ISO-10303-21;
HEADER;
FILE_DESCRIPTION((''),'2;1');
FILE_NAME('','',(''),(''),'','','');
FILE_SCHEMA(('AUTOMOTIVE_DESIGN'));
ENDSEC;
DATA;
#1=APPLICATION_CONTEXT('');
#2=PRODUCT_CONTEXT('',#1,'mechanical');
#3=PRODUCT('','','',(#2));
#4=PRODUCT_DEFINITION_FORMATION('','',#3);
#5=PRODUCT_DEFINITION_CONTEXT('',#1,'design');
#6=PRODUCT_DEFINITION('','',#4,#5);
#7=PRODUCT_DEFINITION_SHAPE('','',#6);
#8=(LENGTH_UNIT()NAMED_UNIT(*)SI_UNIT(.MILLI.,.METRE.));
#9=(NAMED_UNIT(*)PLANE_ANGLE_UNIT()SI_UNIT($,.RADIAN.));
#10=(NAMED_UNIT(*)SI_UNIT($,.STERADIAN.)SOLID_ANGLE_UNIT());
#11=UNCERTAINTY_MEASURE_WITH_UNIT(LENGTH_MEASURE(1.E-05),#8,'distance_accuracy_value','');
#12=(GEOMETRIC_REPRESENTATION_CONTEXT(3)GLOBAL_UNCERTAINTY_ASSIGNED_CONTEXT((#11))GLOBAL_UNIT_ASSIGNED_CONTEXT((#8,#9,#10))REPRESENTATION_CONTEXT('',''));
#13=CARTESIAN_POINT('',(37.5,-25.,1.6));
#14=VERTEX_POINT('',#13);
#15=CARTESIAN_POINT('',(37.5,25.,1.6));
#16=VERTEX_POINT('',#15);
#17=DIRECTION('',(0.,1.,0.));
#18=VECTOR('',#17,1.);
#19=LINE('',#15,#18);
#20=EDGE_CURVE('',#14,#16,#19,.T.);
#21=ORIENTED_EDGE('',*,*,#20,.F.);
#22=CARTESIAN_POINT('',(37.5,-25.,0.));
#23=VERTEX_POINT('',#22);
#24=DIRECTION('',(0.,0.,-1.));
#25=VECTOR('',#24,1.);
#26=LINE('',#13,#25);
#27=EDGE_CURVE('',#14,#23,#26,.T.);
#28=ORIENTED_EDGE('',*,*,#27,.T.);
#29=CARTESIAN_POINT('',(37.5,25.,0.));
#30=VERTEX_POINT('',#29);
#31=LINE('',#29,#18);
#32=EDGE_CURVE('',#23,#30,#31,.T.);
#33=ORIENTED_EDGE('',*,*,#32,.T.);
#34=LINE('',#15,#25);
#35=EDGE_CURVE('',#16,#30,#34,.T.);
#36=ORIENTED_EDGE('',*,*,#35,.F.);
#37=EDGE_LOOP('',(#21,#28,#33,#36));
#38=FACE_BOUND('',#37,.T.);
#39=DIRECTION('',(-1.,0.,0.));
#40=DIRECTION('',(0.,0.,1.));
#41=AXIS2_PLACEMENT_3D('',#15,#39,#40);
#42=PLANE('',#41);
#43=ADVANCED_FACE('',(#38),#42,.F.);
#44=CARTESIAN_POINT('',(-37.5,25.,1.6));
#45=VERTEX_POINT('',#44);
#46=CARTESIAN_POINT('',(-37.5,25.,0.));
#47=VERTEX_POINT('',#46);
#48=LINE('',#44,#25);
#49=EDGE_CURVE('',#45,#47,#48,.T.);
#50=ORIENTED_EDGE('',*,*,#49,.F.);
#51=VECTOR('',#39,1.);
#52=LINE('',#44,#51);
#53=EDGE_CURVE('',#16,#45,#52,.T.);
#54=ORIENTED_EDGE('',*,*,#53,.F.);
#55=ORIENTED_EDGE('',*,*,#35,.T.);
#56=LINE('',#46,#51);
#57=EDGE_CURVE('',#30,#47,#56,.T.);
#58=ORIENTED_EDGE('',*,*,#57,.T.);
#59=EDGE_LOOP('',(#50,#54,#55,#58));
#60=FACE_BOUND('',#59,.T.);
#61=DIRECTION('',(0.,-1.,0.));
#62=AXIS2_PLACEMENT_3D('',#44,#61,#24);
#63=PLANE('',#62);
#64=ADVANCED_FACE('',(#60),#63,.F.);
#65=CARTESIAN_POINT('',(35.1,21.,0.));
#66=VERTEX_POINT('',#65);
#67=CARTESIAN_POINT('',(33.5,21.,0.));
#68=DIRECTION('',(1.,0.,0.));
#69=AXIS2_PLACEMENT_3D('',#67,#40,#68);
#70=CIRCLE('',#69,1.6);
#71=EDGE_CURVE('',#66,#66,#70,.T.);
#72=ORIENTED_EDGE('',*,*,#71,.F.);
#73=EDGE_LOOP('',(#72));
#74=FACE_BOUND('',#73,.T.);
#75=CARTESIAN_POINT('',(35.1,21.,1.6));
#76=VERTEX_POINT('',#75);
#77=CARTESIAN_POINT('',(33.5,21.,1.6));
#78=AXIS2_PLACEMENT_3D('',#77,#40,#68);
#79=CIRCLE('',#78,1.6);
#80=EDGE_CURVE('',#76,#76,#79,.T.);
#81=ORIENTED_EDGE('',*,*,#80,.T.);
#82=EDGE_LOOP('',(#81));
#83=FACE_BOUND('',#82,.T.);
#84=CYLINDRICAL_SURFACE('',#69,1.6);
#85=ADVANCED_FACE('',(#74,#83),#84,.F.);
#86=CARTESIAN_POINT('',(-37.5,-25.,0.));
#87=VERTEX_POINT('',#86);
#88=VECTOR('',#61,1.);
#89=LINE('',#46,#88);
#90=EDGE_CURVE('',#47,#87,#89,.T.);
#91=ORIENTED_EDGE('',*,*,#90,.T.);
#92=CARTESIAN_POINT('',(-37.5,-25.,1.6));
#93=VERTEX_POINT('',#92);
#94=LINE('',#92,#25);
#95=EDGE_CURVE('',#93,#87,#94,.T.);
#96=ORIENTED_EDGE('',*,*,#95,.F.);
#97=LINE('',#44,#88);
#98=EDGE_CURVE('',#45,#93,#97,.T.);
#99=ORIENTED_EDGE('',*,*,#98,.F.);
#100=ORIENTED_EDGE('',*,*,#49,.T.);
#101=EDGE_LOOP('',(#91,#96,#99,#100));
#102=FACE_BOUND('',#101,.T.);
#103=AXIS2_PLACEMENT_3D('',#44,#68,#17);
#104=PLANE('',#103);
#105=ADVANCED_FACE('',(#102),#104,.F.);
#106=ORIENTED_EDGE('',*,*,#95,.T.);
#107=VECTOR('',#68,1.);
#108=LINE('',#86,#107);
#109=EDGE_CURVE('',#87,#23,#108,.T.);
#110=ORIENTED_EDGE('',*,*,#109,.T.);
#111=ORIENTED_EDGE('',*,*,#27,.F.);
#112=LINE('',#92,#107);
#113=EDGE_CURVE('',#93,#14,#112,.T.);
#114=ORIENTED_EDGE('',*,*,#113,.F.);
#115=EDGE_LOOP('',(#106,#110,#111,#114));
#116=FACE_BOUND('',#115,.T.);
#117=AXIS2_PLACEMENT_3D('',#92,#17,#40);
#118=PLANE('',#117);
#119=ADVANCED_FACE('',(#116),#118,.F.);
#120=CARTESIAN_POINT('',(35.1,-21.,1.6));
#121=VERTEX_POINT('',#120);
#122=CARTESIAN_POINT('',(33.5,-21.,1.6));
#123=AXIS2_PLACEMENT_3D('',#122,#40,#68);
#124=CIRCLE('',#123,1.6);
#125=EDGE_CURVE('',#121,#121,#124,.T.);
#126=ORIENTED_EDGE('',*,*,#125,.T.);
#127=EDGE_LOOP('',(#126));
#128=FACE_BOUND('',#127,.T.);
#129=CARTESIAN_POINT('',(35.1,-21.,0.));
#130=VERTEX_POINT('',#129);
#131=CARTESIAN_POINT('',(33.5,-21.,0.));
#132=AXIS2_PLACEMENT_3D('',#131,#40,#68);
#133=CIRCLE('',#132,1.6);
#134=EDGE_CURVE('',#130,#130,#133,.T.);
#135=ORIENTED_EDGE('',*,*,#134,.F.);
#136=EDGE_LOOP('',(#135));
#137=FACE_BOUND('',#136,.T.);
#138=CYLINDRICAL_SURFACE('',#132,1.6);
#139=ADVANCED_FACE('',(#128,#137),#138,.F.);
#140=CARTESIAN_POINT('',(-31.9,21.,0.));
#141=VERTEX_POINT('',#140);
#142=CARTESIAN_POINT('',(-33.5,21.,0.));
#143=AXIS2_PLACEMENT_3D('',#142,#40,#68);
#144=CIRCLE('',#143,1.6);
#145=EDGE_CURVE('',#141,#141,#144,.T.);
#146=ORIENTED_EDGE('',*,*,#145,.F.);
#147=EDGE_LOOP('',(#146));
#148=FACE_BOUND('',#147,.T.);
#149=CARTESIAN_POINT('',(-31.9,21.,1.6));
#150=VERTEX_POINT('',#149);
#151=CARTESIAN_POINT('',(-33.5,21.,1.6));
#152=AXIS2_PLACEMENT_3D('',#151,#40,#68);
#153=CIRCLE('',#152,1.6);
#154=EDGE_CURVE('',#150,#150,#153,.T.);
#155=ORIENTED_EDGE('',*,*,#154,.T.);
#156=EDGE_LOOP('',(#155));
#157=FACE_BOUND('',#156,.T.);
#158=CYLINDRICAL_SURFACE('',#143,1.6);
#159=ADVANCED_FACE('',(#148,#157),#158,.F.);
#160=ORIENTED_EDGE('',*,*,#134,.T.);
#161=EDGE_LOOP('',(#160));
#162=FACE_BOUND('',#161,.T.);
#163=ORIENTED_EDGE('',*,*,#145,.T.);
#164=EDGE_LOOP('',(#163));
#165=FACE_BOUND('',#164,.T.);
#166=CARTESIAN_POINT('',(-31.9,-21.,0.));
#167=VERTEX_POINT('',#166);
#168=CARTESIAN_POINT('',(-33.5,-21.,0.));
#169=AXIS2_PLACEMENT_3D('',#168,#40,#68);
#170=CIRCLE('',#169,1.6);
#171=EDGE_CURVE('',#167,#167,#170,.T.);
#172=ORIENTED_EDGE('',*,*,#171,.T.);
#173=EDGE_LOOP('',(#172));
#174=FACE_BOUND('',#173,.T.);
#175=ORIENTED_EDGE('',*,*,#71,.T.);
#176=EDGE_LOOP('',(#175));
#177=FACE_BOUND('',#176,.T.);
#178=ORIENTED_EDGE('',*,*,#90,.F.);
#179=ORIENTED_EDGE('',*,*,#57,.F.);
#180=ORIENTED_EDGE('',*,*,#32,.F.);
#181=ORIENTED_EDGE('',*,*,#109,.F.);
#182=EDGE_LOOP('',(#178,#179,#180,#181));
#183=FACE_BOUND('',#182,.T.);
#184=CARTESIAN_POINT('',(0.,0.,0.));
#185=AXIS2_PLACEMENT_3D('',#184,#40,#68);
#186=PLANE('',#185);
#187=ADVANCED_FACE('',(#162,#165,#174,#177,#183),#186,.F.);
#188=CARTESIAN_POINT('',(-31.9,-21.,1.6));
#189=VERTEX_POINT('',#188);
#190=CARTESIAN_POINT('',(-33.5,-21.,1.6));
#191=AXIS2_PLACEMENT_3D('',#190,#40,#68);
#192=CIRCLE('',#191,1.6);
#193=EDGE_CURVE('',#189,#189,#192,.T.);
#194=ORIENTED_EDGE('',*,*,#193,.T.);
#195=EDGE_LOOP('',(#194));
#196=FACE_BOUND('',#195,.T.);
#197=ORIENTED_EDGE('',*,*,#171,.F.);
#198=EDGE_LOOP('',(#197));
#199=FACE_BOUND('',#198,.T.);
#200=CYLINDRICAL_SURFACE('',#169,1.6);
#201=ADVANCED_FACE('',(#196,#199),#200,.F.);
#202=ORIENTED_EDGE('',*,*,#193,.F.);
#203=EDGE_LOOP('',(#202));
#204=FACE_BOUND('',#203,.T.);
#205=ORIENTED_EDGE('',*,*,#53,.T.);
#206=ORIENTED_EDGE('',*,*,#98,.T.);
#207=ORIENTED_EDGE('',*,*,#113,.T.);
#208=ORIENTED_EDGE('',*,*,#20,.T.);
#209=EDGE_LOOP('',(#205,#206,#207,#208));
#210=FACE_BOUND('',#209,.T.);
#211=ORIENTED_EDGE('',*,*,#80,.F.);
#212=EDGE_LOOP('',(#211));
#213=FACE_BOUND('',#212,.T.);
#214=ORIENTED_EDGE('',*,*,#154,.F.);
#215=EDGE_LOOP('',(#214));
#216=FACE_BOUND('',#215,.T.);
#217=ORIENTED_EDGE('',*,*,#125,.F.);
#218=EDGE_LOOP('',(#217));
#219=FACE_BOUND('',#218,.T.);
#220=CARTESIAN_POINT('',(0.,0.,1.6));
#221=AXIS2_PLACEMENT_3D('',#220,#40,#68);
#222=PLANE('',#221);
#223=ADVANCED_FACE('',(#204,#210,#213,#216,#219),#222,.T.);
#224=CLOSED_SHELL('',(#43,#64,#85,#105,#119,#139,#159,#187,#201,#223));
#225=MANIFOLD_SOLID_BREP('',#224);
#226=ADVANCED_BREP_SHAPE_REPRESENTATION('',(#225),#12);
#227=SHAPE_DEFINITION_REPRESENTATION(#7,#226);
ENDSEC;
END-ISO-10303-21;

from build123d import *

# Parameters (mm, degrees)
SKETCH1_W           = 75
SKETCH1_H           = 50
BOSS_EXTRUDE1_DEPTH = 1.6
SKETCH2_R           = 1.6
CUT_EXTRUDE1_DEPTH  = 2.6


with BuildPart() as part:
    # Sketch1 → Boss-Extrude1 (new body)
    with BuildSketch(Plane.XY):
        Rectangle(SKETCH1_W, SKETCH1_H)
    extrude(amount=BOSS_EXTRUDE1_DEPTH)

    # Sketch2 → Cut-Extrude1 (cut, through all)
    with BuildSketch(Plane.XY.offset(1.6)):
        with Locations((-33.5, 21)):
            Circle(SKETCH2_R)
        with Locations((33.5, 21)):
            Circle(SKETCH2_R)
        with Locations((33.5, -21)):
            Circle(SKETCH2_R)
        with Locations((-33.5, -21)):
            Circle(SKETCH2_R)
    extrude(amount=-CUT_EXTRUDE1_DEPTH, mode=Mode.SUBTRACT)


solid = part.part
